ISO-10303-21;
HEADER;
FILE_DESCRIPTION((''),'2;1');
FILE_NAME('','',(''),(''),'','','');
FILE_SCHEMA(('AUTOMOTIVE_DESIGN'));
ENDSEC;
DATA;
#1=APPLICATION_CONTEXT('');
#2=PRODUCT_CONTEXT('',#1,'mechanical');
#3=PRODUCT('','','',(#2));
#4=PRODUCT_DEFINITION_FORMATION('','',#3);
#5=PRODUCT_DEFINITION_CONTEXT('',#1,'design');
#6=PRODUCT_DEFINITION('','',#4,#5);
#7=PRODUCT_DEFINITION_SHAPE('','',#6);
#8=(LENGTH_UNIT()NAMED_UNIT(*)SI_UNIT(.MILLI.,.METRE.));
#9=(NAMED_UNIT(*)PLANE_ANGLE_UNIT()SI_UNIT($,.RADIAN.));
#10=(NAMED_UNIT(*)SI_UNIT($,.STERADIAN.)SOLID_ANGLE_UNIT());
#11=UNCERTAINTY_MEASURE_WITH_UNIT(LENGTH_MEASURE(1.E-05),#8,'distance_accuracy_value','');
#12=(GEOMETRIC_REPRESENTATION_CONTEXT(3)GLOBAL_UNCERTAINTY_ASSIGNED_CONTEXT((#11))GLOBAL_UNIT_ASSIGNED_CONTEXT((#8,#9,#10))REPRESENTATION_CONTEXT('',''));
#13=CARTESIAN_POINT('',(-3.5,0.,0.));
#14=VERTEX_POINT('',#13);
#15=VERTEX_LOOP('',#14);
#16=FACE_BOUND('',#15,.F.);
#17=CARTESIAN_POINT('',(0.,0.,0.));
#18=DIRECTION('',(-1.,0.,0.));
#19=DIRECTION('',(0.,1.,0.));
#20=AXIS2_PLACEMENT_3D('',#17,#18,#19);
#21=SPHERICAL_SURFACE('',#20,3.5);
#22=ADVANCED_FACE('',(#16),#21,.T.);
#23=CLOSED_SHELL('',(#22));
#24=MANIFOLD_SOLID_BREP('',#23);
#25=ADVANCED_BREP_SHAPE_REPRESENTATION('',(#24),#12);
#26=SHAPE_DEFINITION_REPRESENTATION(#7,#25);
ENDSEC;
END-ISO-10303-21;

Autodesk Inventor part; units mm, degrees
sketch "Sketch_1" plane through (0, 0, 0) normal (0, 0, 1) x (1, 0, 0)
  line L0 (3.5, 0) -> (-3.5, 0)
  arc A0 (3.5, 0) -> (-3.5, 0) centre (0, 0) ccw
  line L1 (3.5, 0) -> (-3.5, 0)
revolve "Revolution1" add sketch "Sketch_1" angle 360 about axis through (3.5, 0, 0) along (1, 0, 0)
ref_plane "B_HW_XY" through (0, 0, 0) normal (1, 0, 0) x (0, 0, -1)
ref_plane "B_HW_YZ" through (0, 0, 0) normal (0, 0, -1) x (0, 1, 0)
ref_plane "B_HW_ZX" through (0, 0, 0) normal (0, 1, 0) x (1, 0, 0)
properties part number "51110 Ball"
